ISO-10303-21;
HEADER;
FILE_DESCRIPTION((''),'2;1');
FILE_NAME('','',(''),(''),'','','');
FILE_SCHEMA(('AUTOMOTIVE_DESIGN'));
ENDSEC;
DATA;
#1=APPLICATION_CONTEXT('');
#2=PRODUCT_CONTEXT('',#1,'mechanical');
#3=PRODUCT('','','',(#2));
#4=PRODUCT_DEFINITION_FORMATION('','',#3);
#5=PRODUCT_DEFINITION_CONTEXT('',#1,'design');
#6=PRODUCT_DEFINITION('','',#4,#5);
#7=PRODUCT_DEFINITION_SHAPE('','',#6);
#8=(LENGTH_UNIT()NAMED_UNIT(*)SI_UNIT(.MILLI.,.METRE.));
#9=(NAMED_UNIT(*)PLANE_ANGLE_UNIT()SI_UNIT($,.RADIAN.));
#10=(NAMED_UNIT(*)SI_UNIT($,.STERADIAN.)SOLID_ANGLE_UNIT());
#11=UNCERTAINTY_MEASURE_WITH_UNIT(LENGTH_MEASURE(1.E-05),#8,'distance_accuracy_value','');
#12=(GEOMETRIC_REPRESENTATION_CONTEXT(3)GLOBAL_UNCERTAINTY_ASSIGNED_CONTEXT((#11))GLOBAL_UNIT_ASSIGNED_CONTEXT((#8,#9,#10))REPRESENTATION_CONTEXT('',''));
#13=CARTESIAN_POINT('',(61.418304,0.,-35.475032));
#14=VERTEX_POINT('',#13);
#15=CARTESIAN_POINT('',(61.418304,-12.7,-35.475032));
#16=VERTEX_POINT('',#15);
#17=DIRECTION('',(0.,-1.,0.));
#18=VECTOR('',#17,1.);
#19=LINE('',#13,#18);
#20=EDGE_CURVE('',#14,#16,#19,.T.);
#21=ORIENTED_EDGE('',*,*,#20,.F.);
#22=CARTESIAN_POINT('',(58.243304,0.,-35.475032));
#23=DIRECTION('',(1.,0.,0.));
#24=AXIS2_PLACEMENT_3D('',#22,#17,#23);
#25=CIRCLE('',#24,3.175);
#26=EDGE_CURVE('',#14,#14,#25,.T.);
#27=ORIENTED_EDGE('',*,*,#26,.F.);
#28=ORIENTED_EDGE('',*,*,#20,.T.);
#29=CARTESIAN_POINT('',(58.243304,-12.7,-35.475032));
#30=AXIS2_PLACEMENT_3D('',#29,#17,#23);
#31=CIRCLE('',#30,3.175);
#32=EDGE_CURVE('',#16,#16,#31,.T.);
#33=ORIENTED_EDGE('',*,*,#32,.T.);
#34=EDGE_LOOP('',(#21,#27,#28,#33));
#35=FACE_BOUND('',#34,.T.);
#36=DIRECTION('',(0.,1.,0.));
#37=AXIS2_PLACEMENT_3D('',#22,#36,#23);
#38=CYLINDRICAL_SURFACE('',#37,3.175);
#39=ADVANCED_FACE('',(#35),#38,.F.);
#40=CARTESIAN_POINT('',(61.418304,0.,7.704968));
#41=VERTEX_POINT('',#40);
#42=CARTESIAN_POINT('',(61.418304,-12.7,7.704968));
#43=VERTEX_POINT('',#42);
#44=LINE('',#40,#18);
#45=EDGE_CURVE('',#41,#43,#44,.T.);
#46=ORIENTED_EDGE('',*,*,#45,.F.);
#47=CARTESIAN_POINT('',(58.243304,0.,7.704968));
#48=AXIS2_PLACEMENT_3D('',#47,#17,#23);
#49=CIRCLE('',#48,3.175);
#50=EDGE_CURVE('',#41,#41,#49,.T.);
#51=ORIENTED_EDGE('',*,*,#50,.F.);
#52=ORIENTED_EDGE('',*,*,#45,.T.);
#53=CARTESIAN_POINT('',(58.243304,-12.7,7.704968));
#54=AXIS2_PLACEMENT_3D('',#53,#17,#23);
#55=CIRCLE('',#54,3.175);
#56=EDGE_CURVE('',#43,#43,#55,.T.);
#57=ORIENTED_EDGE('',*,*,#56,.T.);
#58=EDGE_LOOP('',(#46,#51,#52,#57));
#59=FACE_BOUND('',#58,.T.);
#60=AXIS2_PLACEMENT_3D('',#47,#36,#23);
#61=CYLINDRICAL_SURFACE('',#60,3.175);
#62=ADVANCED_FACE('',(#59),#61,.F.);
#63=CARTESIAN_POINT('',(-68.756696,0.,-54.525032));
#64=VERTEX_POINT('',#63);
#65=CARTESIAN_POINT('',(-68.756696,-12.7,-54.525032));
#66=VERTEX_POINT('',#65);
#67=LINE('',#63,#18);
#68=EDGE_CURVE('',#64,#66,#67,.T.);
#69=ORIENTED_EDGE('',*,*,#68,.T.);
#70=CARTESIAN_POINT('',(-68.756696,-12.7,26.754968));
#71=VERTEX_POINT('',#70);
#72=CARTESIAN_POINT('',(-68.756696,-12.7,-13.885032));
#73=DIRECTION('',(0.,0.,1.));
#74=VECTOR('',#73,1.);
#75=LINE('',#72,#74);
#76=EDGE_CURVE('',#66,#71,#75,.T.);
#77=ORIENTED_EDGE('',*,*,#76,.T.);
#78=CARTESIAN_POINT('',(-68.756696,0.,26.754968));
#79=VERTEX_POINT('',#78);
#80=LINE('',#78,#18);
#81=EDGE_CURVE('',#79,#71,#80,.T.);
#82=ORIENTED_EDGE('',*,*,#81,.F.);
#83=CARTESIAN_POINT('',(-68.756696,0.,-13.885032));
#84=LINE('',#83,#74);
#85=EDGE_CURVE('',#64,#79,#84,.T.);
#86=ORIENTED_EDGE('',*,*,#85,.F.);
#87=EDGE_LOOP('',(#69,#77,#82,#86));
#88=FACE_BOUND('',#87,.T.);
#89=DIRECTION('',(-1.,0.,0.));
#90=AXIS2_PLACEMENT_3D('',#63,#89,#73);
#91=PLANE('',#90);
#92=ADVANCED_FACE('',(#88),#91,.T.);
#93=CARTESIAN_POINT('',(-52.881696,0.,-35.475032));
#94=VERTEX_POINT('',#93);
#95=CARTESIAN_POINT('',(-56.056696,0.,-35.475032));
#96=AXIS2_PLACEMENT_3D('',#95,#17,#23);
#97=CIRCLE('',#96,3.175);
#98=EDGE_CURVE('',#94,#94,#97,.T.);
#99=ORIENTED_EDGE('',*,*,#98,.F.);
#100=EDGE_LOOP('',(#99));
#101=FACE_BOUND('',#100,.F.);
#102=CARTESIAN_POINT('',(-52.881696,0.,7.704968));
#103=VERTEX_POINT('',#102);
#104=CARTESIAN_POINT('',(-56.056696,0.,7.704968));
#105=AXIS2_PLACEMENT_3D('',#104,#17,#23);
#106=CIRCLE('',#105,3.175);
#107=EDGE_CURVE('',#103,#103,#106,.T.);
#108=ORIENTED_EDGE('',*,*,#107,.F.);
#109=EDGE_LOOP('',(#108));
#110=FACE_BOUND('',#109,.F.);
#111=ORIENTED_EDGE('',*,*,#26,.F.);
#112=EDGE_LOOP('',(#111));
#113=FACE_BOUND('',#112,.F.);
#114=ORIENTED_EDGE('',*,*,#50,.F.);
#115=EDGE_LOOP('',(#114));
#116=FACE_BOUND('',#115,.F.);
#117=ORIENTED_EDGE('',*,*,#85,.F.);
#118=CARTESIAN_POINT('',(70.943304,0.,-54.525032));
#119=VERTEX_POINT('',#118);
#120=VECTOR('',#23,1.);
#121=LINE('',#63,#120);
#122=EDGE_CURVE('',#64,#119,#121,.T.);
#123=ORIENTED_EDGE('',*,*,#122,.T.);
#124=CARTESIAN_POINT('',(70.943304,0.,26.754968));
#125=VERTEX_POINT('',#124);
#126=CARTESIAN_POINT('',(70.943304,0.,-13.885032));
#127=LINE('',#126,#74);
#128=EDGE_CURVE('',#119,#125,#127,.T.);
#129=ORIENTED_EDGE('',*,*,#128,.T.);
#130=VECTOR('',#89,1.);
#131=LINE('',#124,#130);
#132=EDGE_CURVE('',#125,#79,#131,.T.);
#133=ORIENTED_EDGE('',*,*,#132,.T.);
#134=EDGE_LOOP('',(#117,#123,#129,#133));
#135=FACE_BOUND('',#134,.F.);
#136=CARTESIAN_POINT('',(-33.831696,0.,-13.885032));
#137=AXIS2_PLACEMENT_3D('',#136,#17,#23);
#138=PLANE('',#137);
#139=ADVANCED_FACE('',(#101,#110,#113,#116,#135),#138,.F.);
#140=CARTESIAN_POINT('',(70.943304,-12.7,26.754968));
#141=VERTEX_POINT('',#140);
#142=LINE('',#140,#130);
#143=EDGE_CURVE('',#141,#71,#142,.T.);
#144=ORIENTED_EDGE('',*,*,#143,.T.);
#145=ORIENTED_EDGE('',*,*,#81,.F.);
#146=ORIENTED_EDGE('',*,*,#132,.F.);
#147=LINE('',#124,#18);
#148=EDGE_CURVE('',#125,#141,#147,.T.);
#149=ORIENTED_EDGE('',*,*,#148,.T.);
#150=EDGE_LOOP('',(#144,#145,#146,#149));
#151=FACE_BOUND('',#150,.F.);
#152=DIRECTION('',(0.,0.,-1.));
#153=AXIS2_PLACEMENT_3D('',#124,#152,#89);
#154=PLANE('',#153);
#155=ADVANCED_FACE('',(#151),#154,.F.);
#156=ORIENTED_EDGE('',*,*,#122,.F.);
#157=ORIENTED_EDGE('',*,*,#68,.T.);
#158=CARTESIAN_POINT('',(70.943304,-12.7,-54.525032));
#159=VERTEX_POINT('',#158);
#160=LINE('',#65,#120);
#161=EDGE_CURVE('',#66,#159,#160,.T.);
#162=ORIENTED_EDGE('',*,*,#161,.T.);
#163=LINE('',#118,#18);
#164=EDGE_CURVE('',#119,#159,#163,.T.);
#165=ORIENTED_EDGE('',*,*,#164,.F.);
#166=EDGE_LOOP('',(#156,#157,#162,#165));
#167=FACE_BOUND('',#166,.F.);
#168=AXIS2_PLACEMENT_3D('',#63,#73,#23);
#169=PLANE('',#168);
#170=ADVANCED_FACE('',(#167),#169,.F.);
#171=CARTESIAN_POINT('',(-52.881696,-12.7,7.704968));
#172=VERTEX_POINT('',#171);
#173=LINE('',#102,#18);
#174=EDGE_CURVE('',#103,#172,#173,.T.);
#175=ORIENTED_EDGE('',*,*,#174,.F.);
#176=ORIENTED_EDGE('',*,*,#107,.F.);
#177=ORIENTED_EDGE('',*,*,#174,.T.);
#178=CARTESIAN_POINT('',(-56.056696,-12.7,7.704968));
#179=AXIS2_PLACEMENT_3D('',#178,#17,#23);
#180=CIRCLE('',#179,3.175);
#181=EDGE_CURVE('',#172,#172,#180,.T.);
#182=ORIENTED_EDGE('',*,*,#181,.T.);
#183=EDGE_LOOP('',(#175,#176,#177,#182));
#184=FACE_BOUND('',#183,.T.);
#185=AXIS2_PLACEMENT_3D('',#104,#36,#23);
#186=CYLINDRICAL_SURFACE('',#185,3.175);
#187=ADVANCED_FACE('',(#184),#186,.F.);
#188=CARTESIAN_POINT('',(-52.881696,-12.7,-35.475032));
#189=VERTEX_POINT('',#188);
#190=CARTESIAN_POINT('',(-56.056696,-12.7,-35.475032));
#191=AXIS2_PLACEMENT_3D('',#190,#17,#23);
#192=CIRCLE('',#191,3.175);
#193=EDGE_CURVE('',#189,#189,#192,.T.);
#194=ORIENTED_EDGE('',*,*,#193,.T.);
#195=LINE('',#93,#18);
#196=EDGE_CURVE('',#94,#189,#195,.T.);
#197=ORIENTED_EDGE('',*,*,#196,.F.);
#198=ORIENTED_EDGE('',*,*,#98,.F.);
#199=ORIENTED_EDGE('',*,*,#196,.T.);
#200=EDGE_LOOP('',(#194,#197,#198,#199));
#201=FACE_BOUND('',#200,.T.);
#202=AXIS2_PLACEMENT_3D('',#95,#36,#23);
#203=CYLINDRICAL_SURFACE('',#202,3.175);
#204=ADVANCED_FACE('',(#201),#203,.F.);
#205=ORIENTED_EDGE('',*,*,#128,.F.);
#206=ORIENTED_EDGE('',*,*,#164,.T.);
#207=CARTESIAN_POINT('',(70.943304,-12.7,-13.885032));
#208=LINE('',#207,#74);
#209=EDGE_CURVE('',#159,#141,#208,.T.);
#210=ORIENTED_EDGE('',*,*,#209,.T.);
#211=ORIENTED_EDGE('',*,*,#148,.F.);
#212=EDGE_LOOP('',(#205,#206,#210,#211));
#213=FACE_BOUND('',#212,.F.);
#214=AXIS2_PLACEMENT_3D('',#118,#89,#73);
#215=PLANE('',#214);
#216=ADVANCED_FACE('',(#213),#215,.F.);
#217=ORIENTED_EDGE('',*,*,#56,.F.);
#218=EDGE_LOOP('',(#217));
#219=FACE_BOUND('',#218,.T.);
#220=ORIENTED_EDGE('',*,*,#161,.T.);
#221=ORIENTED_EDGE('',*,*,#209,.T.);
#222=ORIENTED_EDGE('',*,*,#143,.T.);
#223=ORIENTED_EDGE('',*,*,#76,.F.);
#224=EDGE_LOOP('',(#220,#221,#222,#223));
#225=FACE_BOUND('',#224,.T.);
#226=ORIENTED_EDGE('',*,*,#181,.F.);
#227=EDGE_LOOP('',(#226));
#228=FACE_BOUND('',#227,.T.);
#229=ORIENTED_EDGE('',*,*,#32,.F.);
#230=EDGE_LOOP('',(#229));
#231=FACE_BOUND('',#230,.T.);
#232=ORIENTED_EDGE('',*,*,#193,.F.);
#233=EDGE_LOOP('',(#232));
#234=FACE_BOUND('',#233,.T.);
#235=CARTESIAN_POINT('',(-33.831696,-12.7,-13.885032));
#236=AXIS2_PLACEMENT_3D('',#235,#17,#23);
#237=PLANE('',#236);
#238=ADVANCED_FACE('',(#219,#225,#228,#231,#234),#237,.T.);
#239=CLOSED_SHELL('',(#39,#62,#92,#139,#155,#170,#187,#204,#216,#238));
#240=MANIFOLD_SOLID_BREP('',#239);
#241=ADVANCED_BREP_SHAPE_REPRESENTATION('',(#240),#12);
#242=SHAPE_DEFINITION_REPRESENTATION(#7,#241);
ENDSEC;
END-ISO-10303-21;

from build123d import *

# Parameters (mm, degrees)
F0_W     = 69.85
F0_H     = 81.28
F0_R     = 3.175
F1_DEPTH = 12.7


with BuildPart() as f1:
    # F0 (on Front) → F1 (new body)
    with BuildSketch(Plane.XZ):
        with Locations((-33.8316962153, -13.8850318794)):
            Rectangle(F0_W, F0_H)
        with Locations((-56.0566962153, -35.4750318794)):
            Circle(F0_R, mode=Mode.SUBTRACT)
        with Locations((-56.0566962153, 7.7049681206)):
            Circle(F0_R, mode=Mode.SUBTRACT)
        with Locations((36.0183037847, -13.8850318794)):
            Rectangle(F0_W, F0_H)
        with Locations((58.2433037847, -35.4750318794)):
            Circle(F0_R, mode=Mode.SUBTRACT)
        with Locations((58.2433037847, 7.7049681206)):
            Circle(F0_R, mode=Mode.SUBTRACT)
    extrude(amount=F1_DEPTH)


solid = f1.part
